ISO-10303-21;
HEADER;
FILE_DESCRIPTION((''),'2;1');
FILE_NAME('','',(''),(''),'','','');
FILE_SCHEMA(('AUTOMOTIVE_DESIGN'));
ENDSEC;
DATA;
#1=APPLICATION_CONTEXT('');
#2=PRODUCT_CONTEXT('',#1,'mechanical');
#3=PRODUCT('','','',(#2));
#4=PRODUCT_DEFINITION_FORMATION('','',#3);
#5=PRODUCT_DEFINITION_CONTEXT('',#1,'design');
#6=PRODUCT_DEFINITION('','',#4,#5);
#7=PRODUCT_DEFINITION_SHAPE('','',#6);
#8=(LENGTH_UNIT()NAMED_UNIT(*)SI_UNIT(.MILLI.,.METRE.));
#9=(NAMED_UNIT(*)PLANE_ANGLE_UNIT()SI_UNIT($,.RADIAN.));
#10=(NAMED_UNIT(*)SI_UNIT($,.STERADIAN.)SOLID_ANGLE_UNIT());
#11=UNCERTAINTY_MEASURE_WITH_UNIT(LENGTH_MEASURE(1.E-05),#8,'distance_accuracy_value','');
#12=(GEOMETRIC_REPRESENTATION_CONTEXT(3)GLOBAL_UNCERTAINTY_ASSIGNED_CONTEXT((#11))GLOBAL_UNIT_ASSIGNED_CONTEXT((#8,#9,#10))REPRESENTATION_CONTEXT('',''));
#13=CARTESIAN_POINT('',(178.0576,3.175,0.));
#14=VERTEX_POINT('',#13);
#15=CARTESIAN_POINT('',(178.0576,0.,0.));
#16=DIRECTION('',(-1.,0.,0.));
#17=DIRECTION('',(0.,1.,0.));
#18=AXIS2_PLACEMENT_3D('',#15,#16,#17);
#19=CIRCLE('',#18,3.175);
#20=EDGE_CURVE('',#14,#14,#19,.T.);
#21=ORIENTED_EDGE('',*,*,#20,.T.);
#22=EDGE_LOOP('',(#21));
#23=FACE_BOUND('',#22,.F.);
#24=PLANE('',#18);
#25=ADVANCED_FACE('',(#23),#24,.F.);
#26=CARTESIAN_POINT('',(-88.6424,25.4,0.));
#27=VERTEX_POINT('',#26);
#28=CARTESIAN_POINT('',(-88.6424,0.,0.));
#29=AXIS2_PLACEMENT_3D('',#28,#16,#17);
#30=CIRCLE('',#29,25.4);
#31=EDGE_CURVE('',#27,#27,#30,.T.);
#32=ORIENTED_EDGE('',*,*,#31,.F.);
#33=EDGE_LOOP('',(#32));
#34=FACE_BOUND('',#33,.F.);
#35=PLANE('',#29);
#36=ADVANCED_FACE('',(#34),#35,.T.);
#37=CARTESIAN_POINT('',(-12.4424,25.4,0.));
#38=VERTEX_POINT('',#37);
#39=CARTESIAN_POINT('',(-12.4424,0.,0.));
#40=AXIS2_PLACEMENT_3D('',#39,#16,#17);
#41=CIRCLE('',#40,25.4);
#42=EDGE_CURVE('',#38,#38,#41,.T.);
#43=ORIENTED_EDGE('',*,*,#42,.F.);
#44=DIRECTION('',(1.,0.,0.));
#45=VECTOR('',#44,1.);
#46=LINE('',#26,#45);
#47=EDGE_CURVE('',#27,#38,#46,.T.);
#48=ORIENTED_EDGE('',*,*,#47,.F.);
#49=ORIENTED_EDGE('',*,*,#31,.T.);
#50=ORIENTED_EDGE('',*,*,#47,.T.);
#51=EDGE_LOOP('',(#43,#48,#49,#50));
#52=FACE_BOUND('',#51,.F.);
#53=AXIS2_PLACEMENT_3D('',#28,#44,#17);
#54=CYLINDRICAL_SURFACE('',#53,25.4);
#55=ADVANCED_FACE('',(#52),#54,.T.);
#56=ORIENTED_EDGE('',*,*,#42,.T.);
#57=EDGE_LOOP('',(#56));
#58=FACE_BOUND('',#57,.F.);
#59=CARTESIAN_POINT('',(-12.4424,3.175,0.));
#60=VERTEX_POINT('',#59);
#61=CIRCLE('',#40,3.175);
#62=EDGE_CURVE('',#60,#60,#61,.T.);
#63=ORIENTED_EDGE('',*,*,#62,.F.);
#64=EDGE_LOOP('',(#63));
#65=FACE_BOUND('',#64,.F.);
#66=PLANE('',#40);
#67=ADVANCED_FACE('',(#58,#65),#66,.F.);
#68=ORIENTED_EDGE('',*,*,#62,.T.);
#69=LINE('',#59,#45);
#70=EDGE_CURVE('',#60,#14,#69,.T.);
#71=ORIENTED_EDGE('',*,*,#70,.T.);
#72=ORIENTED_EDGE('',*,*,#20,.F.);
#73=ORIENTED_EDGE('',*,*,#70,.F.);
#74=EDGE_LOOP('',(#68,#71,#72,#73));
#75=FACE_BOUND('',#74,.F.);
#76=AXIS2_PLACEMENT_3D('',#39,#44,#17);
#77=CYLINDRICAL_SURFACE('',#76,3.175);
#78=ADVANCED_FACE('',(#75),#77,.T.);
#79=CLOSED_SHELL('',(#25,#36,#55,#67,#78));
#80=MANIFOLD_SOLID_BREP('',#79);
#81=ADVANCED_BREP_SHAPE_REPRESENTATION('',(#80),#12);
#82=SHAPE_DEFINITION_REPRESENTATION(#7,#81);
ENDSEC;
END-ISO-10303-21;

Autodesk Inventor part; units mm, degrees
ref_plane "YZ Plane" through (0, 0, 0) normal (1, 0, 0) x (0, 1, 0)
ref_plane "XZ Plane" through (0, 0, 0) normal (0, 1, 0) x (-1, 0, 0)
ref_plane "XY Plane" through (0, 0, 0) normal (0, 0, 1) x (1, 0, 0)
sketch "Sketch1" plane through (0, 0, 0) normal (0, 0, 1) x (1, 0, 0)
  line L0 (-12.4424, 3.175) -> (178.0576, 3.175)
  line L1 (178.0576, 3.175) -> (178.0576, 0)
  line L2 (178.0576, 0) -> (0, 0)
  line L3 (0, 0) -> (-88.6424, 0)
  line L4 (-88.6424, 0) -> (-88.6424, 25.4)
  line L5 (-88.6424, 25.4) -> (-12.4424, 25.4)
  line L6 (-12.4424, 25.4) -> (-12.4424, 3.175)
  dimension "d0" = 3.175
  dimension "d1" = 190.5
  dimension "d2" = 25.4
  dimension "d3" = 76.2
revolve "Revolution1" add sketch "Sketch1" angle 360 about axis through (0, 0, 0) along (-1, 0, 0)
properties part number "Drill 8"
